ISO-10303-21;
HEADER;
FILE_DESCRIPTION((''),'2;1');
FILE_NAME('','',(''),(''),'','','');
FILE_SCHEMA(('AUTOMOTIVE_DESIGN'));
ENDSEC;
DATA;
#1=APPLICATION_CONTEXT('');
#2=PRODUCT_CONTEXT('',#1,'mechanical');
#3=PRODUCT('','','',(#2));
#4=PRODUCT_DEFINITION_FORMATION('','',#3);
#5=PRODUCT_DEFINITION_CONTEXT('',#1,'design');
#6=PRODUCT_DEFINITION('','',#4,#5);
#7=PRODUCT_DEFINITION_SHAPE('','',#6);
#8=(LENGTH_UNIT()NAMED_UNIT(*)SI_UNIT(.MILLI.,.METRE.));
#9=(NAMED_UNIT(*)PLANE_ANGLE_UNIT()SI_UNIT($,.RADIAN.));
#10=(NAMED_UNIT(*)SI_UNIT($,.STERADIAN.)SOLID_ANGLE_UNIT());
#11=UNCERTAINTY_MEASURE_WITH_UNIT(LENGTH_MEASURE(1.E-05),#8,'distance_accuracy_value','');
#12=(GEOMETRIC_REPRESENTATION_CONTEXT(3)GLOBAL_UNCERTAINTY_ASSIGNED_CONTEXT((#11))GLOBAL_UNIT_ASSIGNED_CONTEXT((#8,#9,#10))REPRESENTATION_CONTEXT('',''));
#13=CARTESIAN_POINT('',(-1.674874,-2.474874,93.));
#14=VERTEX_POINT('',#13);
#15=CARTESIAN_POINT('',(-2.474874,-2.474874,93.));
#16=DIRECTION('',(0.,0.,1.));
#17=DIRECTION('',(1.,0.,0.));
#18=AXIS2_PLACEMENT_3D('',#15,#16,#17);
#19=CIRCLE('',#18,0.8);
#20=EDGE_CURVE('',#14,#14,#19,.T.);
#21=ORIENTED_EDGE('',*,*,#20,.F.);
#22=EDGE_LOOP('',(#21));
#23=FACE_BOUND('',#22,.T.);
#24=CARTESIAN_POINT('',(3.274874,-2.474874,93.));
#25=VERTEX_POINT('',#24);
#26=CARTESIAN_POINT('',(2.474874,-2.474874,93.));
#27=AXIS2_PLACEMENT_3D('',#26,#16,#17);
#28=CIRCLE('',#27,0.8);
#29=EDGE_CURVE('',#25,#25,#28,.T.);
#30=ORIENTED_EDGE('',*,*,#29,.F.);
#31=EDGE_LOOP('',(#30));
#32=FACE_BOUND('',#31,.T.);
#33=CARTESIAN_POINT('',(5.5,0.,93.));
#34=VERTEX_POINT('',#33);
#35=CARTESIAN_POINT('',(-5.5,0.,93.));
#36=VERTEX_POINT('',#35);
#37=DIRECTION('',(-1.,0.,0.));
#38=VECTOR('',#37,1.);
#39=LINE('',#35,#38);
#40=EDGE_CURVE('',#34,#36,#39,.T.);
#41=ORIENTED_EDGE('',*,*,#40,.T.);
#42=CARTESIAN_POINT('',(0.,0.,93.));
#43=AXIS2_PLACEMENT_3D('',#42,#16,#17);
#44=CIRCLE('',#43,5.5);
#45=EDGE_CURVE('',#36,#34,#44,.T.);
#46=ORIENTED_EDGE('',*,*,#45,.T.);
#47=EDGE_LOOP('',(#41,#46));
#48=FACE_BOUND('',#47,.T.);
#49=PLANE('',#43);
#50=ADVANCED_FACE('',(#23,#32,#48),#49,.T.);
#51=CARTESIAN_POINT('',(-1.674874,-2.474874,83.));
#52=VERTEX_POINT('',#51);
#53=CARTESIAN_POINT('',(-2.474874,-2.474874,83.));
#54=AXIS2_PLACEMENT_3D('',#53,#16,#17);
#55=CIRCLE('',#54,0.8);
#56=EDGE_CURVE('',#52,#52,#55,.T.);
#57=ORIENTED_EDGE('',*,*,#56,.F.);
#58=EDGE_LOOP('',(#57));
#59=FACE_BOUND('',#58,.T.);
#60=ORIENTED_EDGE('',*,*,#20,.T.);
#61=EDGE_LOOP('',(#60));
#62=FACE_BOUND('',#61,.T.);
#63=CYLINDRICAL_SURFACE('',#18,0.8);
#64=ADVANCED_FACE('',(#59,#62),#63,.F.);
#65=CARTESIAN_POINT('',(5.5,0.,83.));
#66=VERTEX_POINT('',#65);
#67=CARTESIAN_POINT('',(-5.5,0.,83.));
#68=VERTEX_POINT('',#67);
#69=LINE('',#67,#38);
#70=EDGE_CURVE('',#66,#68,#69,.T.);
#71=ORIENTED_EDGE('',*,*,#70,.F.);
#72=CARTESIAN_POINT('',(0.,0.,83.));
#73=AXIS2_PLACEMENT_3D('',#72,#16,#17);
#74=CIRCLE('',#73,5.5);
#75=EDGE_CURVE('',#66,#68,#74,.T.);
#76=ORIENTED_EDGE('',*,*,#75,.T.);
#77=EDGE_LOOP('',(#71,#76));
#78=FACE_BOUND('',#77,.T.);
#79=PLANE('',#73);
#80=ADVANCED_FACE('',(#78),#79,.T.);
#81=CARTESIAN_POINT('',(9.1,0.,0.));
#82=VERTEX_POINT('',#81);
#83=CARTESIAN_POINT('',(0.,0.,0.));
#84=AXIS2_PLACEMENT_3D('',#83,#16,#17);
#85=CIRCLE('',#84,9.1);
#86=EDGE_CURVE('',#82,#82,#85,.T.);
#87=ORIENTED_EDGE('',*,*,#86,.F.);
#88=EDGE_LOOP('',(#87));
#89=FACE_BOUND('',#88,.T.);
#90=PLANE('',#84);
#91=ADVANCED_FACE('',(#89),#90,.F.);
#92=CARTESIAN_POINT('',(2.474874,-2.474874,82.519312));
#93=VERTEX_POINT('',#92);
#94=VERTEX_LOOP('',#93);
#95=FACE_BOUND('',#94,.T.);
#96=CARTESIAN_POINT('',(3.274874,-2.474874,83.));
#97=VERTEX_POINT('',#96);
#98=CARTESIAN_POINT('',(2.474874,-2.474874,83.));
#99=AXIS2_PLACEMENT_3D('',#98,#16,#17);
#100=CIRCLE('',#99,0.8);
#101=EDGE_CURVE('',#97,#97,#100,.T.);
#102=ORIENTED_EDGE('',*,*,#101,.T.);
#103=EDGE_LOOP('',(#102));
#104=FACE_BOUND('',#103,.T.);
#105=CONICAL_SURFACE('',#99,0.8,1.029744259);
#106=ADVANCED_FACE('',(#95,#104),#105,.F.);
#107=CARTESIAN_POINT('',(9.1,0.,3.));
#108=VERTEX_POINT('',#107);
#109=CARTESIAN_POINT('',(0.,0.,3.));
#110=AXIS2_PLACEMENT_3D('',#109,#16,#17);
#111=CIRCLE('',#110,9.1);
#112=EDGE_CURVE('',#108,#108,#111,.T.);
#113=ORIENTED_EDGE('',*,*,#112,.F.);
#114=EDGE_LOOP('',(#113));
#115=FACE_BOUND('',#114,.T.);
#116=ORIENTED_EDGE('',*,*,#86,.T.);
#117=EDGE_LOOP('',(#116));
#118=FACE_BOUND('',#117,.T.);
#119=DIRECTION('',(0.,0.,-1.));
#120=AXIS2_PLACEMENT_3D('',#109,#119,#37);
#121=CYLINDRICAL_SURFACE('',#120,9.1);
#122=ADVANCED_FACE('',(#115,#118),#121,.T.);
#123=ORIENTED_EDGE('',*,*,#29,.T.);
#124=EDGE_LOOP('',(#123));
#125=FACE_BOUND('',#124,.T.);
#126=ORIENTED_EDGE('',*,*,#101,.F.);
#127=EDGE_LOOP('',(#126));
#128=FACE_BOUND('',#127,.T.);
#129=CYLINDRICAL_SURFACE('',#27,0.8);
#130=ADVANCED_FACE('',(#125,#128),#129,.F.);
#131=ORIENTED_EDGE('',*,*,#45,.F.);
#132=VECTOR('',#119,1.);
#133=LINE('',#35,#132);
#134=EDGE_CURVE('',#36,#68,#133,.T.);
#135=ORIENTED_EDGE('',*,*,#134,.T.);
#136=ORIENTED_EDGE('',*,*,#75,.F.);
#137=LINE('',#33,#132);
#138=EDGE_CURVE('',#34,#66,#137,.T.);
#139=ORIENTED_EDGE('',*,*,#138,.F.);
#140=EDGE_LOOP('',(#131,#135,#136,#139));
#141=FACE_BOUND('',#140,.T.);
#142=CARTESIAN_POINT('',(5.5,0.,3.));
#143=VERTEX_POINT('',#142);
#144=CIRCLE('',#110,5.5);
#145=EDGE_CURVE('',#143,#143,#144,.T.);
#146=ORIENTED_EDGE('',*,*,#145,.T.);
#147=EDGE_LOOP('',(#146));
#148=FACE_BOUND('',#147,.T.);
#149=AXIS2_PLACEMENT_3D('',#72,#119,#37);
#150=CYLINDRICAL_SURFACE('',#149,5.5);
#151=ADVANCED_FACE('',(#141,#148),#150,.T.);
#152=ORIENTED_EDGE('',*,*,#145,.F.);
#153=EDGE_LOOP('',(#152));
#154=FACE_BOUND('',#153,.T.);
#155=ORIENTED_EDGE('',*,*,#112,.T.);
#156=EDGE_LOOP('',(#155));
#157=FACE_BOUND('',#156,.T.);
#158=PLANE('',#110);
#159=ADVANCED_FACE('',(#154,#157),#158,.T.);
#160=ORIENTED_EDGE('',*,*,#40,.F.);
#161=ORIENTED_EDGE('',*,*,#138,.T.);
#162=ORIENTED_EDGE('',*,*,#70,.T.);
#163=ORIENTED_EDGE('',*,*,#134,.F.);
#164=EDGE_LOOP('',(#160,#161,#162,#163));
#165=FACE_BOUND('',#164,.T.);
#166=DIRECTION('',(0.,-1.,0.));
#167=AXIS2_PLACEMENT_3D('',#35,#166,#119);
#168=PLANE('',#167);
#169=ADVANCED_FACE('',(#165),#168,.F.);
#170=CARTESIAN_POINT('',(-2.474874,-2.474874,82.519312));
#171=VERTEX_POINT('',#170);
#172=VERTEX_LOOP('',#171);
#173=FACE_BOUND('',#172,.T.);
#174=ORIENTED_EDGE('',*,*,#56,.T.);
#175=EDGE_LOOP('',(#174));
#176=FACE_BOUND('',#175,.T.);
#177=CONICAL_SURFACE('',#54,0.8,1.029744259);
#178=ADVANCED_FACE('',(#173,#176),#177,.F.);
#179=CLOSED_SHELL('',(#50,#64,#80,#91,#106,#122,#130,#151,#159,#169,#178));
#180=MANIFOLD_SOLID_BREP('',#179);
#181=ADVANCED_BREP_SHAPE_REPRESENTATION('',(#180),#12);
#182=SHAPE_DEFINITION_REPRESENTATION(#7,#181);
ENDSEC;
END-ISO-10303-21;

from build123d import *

# Parameters (mm, degrees)
ESBO_O1_R                 = 9.1
RESSALTO_EXTRUS_O1_DEPTH  = 3
ESBO_O2_R                 = 5.5
RESSALTO_EXTRUS_O2_DEPTH  = 80
RESSALTO_EXTRUS_O3_DEPTH  = 10
FURO_ROSCADO_DE_M21_D     = 1.6
FURO_ROSCADO_DE_M21_DEPTH = 10
FURO_ROSCADO_DE_M21_TIP   = 0.480688495


with BuildPart() as part:
    # Esboço1 → Ressalto-extrusão1 (new body)
    with BuildSketch(Plane.XY):
        Circle(ESBO_O1_R)
    extrude(amount=RESSALTO_EXTRUS_O1_DEPTH)

    # Esboço2 → Ressalto-extrusão2 (add)
    with BuildSketch(Plane.XY.offset(3)):
        Circle(ESBO_O2_R)
    extrude(amount=RESSALTO_EXTRUS_O2_DEPTH)

    # Esboço3 → Ressalto-extrusão3 (add)
    with BuildSketch(Plane.XY.offset(83)):
        with BuildLine():
            Line((-5.5, 0), (5.5, 0))
            ThreePointArc((5.5, 0), (0, -5.5), (-5.5, 0))
        make_face()
    extrude(amount=RESSALTO_EXTRUS_O3_DEPTH)

    # Furo roscado de M21
    with Locations(Plane.XY.offset(93)):
        with Locations((-2.474873734, -2.474873734), (2.474873734, -2.474873734)):
            Hole(FURO_ROSCADO_DE_M21_D / 2, depth=FURO_ROSCADO_DE_M21_DEPTH)
            with Locations((0, 0, -(FURO_ROSCADO_DE_M21_DEPTH + FURO_ROSCADO_DE_M21_TIP / 2))):  # 118° drill point
                Cone(0, FURO_ROSCADO_DE_M21_D / 2, FURO_ROSCADO_DE_M21_TIP, mode=Mode.SUBTRACT)


solid = part.part
